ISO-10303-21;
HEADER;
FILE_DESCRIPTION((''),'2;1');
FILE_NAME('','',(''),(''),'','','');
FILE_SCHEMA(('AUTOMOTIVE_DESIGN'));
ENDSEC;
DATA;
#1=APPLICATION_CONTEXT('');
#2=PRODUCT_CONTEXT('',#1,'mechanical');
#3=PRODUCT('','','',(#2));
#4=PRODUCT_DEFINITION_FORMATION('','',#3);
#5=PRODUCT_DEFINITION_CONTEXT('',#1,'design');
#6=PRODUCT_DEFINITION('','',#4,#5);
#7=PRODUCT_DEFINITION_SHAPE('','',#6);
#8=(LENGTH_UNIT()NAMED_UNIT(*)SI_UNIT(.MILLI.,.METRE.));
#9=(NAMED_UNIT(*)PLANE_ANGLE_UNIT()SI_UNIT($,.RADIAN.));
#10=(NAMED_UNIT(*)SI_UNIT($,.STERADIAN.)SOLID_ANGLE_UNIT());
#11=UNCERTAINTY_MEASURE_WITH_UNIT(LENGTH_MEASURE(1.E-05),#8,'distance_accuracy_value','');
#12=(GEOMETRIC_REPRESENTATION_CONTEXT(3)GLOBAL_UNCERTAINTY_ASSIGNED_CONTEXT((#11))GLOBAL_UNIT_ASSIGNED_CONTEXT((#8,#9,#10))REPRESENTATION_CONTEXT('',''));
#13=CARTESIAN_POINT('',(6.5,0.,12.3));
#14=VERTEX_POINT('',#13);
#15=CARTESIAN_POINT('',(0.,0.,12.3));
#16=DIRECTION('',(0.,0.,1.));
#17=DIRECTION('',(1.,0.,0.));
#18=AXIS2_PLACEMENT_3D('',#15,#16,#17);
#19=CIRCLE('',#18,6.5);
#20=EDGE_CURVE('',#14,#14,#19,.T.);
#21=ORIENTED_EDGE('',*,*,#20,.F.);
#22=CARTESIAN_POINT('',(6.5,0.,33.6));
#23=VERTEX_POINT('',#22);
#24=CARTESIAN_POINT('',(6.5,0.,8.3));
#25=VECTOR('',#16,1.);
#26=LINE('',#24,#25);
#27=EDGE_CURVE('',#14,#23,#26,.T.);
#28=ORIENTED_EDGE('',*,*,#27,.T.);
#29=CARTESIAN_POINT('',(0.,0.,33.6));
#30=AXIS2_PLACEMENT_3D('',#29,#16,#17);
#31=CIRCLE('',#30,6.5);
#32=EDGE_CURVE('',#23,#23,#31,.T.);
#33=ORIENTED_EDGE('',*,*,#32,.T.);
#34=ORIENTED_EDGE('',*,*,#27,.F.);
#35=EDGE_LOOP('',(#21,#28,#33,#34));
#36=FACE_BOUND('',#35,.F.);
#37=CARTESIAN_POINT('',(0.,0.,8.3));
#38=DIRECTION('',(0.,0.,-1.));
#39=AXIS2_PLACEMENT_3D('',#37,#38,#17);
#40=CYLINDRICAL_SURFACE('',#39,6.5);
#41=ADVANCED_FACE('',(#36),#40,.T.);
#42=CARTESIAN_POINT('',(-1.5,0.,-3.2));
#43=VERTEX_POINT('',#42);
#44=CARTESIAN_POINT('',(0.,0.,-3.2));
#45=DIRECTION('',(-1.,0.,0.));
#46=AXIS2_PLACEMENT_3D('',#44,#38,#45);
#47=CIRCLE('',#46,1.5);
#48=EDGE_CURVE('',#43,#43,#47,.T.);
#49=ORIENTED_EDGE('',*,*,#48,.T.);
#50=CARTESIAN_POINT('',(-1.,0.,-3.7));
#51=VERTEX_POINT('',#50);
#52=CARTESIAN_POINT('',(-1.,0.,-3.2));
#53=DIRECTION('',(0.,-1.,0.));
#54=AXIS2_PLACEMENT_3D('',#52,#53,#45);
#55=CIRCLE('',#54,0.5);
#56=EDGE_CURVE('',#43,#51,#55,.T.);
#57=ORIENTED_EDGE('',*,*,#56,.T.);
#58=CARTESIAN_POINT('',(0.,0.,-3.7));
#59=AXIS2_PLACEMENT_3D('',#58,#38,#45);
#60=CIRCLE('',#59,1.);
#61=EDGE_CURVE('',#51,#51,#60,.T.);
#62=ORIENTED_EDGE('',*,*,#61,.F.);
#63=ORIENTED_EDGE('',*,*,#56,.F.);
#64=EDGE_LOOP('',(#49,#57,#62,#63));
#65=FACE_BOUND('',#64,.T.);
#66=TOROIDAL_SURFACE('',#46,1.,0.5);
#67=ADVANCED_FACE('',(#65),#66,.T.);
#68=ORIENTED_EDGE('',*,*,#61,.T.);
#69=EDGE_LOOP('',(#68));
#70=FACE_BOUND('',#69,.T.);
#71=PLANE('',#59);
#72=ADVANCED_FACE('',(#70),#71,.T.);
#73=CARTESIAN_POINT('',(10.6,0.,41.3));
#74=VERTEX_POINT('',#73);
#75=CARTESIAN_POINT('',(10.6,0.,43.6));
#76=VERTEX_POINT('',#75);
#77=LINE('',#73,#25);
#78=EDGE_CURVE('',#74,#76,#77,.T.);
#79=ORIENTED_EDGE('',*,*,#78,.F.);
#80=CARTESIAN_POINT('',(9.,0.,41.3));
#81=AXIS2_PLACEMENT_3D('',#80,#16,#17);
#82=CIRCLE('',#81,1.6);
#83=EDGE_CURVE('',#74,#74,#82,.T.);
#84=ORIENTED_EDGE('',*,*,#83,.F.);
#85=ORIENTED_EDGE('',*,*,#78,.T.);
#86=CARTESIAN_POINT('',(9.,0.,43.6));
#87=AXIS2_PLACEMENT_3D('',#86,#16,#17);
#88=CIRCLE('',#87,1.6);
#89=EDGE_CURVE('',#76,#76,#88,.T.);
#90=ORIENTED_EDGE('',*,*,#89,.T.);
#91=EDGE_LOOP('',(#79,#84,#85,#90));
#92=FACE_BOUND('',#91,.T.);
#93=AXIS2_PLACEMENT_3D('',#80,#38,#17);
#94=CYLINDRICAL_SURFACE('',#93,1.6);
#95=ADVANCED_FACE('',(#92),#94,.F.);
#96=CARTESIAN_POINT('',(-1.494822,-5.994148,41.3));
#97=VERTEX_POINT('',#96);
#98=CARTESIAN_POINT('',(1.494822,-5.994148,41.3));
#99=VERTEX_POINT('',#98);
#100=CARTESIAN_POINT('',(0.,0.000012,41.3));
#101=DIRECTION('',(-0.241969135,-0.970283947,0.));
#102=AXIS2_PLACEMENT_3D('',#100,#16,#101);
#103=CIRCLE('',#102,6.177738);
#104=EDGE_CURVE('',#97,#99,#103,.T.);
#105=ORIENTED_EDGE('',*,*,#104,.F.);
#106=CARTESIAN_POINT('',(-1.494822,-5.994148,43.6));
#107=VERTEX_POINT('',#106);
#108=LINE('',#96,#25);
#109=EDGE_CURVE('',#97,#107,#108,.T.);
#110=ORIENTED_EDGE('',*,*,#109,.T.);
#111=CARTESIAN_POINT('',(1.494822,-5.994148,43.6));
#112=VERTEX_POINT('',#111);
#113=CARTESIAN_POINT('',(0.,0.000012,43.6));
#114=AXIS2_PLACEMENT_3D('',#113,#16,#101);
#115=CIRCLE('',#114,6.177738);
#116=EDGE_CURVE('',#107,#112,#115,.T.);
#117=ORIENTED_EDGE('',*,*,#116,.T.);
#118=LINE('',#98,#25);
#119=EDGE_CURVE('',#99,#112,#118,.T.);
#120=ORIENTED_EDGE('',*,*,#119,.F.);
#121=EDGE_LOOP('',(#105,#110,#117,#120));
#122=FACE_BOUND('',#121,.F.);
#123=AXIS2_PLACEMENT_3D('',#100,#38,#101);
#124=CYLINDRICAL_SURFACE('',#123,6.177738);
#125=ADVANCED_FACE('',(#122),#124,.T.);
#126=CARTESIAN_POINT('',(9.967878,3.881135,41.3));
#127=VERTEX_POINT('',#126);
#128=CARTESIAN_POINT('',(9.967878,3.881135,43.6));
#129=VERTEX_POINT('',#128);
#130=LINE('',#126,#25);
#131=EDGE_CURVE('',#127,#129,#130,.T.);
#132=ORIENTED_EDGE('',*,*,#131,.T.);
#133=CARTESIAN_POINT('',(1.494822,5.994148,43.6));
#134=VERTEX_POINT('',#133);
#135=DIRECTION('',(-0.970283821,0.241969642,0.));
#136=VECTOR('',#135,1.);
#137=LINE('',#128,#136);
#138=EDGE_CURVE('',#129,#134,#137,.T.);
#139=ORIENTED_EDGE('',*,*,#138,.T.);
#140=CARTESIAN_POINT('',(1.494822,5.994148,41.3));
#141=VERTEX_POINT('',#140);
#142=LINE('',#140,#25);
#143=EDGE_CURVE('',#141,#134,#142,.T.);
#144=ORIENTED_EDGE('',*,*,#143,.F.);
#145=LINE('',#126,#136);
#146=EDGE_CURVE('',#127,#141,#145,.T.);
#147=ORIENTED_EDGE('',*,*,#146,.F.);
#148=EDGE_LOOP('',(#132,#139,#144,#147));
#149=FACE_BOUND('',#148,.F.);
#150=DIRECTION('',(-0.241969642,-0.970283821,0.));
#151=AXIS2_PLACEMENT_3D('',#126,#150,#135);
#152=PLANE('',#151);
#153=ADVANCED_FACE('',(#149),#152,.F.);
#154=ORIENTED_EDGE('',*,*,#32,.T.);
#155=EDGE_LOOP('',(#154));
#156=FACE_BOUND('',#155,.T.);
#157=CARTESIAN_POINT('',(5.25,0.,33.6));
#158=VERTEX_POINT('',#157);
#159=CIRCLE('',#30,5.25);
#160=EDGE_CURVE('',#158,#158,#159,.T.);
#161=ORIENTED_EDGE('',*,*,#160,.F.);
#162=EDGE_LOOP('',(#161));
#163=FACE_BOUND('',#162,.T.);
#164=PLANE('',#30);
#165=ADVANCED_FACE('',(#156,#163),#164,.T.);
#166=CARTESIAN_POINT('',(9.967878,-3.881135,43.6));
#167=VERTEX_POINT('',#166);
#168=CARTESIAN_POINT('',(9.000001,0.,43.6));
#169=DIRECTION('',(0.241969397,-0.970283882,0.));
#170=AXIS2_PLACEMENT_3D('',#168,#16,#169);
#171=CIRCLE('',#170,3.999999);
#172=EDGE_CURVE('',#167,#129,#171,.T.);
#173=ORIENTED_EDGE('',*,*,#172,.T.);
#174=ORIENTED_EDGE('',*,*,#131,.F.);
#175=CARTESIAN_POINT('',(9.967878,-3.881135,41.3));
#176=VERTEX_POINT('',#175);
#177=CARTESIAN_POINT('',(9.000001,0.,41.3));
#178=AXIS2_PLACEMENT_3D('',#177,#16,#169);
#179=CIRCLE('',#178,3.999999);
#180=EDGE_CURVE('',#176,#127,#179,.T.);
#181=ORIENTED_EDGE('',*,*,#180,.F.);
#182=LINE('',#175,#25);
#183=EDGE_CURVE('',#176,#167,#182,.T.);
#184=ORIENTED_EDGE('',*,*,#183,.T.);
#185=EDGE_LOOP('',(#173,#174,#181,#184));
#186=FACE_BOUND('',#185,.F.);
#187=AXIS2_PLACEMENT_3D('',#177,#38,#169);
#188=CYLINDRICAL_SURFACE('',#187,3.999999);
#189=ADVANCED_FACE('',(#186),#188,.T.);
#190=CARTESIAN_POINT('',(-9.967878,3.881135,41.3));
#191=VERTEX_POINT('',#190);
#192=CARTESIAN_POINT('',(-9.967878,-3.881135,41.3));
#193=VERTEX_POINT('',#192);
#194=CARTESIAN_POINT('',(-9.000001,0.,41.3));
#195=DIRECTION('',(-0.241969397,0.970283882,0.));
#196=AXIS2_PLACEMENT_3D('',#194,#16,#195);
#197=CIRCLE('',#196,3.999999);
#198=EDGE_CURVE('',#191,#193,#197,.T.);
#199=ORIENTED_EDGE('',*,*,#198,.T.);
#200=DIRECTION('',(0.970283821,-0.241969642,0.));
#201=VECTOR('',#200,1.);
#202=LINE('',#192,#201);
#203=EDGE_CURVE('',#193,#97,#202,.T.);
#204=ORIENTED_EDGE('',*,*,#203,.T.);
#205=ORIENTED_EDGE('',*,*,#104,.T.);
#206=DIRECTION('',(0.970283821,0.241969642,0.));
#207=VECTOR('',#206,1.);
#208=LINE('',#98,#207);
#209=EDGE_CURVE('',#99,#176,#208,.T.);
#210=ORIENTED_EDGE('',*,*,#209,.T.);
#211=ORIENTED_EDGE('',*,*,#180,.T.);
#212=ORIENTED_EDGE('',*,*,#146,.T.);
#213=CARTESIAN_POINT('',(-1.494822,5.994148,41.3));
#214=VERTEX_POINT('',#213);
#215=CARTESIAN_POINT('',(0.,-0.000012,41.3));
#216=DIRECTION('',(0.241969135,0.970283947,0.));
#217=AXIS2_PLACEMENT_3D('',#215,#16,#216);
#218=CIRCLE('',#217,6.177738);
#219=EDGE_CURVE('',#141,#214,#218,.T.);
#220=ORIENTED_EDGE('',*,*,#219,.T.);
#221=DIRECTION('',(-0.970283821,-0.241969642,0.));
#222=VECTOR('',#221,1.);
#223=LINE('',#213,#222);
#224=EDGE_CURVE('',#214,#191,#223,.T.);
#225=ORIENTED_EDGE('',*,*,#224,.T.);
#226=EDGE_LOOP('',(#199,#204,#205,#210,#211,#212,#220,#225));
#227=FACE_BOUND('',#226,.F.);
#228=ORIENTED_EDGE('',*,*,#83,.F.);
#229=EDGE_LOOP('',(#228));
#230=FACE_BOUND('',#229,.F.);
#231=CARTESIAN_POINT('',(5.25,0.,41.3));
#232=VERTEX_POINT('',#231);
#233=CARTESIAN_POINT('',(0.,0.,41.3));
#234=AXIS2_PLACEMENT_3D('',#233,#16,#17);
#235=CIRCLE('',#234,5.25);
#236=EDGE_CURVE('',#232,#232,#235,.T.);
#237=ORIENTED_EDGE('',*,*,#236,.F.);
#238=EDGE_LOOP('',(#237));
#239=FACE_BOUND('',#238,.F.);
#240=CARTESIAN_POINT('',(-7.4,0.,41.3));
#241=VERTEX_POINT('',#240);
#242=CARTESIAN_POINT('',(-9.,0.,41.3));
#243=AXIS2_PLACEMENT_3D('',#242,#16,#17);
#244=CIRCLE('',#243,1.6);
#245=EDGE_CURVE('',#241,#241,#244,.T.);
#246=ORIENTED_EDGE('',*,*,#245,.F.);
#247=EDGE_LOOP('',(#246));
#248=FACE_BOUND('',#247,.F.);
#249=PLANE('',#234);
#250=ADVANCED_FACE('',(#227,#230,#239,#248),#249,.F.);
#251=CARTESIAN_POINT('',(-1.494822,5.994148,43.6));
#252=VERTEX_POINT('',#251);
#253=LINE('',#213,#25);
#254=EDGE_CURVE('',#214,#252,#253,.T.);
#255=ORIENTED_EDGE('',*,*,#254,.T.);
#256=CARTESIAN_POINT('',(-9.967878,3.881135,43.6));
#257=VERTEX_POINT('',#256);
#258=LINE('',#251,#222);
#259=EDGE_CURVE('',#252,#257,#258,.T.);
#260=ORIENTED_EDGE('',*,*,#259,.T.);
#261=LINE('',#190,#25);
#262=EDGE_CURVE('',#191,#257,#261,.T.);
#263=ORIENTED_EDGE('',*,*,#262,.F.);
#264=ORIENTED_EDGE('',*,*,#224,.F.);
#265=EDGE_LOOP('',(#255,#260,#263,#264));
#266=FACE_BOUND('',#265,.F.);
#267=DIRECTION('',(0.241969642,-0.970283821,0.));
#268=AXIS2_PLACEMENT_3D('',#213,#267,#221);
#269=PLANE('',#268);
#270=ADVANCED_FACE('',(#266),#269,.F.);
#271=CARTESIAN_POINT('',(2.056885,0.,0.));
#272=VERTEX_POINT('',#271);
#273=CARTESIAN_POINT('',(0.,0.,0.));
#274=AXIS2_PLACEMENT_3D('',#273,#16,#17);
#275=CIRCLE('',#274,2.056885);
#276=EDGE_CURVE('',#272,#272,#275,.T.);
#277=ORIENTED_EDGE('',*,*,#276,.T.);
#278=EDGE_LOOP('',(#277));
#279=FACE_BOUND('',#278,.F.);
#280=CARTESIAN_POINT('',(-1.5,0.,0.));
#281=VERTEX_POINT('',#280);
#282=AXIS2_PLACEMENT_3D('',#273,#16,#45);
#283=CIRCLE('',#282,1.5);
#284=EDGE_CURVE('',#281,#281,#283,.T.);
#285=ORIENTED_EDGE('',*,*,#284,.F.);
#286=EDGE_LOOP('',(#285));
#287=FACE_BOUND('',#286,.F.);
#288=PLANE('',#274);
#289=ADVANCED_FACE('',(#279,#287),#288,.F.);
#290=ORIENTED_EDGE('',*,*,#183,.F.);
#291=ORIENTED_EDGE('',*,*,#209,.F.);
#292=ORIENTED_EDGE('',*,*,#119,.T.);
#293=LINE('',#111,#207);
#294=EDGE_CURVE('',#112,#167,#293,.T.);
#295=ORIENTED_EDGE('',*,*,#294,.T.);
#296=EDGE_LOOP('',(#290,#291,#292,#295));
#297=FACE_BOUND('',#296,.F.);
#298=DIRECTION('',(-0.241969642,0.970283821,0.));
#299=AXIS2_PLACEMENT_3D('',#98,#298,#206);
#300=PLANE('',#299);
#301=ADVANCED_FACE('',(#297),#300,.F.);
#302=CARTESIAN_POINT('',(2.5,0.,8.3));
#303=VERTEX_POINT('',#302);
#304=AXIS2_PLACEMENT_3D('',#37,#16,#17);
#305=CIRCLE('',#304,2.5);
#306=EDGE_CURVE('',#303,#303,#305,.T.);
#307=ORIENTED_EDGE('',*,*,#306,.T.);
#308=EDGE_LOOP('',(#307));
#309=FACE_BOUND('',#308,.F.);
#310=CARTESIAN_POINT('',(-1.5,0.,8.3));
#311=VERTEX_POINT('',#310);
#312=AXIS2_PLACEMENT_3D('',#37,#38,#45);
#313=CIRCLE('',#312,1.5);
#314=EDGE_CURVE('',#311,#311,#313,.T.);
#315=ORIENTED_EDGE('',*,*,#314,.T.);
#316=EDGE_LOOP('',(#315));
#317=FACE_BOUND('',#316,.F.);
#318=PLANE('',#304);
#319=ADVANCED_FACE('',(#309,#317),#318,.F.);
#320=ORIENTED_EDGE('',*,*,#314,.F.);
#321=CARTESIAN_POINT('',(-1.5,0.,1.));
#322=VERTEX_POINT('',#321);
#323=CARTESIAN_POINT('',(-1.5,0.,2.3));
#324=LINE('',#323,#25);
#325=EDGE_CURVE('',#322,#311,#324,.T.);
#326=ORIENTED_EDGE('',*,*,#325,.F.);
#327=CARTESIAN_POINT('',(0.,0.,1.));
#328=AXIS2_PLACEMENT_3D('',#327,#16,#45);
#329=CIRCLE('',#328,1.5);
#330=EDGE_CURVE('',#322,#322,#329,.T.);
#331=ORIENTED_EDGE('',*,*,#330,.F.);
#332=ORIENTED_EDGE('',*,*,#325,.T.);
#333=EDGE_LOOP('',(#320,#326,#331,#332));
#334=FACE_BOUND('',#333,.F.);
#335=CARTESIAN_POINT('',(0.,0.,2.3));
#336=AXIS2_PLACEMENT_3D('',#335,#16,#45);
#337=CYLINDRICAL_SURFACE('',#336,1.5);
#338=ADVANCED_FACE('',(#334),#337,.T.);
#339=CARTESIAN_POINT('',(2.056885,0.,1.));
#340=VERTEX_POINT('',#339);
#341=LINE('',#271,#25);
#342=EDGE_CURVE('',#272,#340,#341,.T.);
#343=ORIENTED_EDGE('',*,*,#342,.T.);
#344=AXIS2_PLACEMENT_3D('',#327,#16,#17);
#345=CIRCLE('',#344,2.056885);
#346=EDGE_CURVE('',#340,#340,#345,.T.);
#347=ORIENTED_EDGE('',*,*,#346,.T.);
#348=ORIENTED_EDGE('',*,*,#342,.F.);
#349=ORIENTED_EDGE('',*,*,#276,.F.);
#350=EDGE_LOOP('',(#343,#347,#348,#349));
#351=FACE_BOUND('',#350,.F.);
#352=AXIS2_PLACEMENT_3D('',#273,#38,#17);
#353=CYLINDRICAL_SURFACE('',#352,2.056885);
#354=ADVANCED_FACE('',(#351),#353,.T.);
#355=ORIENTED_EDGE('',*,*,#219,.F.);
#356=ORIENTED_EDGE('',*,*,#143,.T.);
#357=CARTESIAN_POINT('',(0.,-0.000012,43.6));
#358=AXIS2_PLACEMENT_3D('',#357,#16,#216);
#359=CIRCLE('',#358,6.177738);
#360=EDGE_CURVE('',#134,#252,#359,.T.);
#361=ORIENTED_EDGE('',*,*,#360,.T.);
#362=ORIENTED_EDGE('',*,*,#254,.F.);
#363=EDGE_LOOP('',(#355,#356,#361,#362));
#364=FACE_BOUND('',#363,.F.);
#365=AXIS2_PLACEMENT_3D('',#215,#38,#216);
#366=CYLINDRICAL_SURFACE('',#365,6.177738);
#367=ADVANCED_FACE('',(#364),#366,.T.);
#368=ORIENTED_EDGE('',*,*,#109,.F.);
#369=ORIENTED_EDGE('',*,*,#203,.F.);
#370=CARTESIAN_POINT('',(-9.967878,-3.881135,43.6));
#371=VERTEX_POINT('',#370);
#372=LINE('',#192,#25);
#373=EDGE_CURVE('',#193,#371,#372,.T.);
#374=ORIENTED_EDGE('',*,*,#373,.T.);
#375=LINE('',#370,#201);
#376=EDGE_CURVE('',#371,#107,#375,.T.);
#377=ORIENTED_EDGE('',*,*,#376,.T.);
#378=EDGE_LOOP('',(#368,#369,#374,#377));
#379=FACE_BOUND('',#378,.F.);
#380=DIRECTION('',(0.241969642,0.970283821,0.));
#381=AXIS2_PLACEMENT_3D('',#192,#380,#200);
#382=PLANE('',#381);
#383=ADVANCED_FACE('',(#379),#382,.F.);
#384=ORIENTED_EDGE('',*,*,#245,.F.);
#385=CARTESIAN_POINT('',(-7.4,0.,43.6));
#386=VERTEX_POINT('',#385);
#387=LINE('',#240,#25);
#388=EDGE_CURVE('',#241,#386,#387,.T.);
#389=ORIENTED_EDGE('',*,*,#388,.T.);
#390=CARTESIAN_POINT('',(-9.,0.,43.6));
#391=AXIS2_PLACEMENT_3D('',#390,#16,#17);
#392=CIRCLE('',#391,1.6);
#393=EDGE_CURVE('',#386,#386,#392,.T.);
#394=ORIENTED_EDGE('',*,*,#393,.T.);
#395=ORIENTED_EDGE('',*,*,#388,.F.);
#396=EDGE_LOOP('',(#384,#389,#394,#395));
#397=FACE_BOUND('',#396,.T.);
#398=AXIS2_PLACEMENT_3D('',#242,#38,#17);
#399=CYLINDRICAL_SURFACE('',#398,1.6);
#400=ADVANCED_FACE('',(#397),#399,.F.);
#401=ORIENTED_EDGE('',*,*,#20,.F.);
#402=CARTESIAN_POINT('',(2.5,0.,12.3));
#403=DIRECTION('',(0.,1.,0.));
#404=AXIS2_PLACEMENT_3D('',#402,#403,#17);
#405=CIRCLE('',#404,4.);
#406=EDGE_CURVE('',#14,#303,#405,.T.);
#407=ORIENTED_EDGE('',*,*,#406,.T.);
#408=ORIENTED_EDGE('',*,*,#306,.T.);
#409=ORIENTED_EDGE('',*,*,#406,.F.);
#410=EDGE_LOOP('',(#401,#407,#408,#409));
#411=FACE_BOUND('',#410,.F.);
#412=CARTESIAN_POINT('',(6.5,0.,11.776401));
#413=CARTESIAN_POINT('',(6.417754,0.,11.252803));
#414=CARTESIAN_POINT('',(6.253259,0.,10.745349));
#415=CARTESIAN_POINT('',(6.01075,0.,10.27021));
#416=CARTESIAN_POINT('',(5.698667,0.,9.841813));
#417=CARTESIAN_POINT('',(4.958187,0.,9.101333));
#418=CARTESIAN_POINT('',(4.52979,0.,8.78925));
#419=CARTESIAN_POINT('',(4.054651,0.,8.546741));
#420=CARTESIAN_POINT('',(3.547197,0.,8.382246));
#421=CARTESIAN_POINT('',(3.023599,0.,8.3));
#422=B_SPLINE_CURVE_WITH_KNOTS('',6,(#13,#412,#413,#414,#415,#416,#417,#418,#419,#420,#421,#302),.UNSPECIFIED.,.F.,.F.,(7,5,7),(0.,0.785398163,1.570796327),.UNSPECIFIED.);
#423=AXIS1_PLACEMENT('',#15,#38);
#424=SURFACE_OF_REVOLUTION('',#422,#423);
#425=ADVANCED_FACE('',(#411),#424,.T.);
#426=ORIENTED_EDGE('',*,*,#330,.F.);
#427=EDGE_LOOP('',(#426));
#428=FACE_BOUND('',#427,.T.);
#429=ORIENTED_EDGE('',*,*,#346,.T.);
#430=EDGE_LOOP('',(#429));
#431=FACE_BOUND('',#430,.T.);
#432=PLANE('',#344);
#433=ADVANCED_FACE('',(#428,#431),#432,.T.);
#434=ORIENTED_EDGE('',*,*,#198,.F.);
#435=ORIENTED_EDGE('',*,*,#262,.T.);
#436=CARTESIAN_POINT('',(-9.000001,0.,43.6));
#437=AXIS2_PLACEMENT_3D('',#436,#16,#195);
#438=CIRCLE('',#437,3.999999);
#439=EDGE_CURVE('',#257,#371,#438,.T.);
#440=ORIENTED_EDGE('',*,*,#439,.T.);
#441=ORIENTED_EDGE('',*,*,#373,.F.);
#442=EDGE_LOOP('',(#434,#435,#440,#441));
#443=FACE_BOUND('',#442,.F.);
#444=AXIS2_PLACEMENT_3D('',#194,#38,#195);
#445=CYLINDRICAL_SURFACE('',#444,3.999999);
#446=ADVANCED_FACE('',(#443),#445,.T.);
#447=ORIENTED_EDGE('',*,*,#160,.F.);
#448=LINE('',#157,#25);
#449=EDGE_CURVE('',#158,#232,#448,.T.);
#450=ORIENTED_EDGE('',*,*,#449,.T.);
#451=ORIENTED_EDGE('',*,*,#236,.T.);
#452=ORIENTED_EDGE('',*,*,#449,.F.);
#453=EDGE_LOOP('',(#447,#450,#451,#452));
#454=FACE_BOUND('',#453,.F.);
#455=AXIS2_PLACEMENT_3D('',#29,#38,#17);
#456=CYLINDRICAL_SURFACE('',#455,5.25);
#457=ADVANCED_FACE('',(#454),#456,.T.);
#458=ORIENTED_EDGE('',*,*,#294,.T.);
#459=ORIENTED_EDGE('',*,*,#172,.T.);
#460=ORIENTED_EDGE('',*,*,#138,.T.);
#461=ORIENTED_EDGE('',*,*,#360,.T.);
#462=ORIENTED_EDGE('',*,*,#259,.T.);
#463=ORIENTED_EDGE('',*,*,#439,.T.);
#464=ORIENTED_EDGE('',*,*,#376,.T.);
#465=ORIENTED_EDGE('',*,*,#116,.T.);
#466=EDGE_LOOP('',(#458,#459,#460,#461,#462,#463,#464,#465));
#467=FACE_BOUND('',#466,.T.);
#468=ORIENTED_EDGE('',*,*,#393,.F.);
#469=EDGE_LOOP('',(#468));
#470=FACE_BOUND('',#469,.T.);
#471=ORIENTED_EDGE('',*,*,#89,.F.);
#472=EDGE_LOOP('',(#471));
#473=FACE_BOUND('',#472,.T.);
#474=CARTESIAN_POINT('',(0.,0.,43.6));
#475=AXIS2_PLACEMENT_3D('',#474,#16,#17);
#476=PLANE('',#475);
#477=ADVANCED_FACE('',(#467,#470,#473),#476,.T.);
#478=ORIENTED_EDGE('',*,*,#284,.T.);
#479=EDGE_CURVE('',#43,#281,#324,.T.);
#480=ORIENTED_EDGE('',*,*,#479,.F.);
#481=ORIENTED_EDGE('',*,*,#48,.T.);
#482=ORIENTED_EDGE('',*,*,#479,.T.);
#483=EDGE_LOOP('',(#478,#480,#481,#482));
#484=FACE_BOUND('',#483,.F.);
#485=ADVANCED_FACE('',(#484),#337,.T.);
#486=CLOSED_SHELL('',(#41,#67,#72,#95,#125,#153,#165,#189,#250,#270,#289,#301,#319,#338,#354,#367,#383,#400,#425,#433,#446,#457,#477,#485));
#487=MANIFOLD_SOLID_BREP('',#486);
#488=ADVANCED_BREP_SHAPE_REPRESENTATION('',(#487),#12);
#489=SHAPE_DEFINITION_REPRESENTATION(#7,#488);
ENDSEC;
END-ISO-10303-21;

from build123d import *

# Parameters (mm, degrees)
F0_W      = 1.5
F0_H      = 12
F2_R      = 6.5
F3_DEPTH  = 25.3
F4_R      = 5.25
F5_DEPTH  = 7.7
F6_R      = 1.6
F7_DEPTH  = 2.3
F8_R      = 4
F9_R      = 0.5
F10_R     = 2.056885
F11_DEPTH = 1


with BuildPart() as f1:
    # F0 (on Front) → F1 (revolve)
    with BuildSketch(Plane.XZ):
        with Locations((-0.75, 2.3)):
            Rectangle(F0_W, F0_H)
    revolve(axis=Axis((0, 0, -10.260424), (0, 0, -1)))

    # F2 (on face) → F3 (join)
    with BuildSketch(Plane.XY.offset(8.3)):
        Circle(F2_R)
    extrude(amount=F3_DEPTH)

    # F4 (on face) → F5 (join)
    with BuildSketch(Plane.XY.offset(33.6)):
        Circle(F4_R)
    extrude(amount=F5_DEPTH)

    # F6 (on face) → F7 (join)
    with BuildSketch(Plane.XY.offset(41.3)):
        with BuildLine():
            Line((-1.494822, 5.994148), (-9.967878, 3.881135))
            ThreePointArc((-9.967878, 3.881135), (-13, 0), (-9.967878, -3.881135))
            Line((-9.967878, -3.881135), (-1.494822, -5.994148))
            ThreePointArc((-1.494822, -5.994148), (0, -6.177726), (1.494822, -5.994148))
            Line((1.494822, -5.994148), (9.967878, -3.881135))
            ThreePointArc((9.967878, -3.881135), (13, 0), (9.967878, 3.881135))
            Line((9.967878, 3.881135), (1.494822, 5.994148))
            ThreePointArc((1.494822, 5.994148), (0, 6.177726), (-1.494822, 5.994148))
        make_face()
        with Locations((-9, 0)):
            Circle(F6_R, mode=Mode.SUBTRACT)
        with Locations((9, 0)):
            Circle(F6_R, mode=Mode.SUBTRACT)
    extrude(amount=F7_DEPTH)

    # F8
    f8_edges = [f1.edges().sort_by_distance(p)[0] for p in [
        (-6.5, 0, 8.3),
    ]]
    fillet(f8_edges, radius=F8_R)

    # F9
    f9_edges = [f1.edges().sort_by_distance(p)[0] for p in [
        (1.5, 0, -3.7),
    ]]
    fillet(f9_edges, radius=F9_R)

    # F10 (on Top) → F11 (join)
    with BuildSketch(Plane.XY):
        Circle(F10_R)
    extrude(amount=F11_DEPTH)


solid = f1.part
